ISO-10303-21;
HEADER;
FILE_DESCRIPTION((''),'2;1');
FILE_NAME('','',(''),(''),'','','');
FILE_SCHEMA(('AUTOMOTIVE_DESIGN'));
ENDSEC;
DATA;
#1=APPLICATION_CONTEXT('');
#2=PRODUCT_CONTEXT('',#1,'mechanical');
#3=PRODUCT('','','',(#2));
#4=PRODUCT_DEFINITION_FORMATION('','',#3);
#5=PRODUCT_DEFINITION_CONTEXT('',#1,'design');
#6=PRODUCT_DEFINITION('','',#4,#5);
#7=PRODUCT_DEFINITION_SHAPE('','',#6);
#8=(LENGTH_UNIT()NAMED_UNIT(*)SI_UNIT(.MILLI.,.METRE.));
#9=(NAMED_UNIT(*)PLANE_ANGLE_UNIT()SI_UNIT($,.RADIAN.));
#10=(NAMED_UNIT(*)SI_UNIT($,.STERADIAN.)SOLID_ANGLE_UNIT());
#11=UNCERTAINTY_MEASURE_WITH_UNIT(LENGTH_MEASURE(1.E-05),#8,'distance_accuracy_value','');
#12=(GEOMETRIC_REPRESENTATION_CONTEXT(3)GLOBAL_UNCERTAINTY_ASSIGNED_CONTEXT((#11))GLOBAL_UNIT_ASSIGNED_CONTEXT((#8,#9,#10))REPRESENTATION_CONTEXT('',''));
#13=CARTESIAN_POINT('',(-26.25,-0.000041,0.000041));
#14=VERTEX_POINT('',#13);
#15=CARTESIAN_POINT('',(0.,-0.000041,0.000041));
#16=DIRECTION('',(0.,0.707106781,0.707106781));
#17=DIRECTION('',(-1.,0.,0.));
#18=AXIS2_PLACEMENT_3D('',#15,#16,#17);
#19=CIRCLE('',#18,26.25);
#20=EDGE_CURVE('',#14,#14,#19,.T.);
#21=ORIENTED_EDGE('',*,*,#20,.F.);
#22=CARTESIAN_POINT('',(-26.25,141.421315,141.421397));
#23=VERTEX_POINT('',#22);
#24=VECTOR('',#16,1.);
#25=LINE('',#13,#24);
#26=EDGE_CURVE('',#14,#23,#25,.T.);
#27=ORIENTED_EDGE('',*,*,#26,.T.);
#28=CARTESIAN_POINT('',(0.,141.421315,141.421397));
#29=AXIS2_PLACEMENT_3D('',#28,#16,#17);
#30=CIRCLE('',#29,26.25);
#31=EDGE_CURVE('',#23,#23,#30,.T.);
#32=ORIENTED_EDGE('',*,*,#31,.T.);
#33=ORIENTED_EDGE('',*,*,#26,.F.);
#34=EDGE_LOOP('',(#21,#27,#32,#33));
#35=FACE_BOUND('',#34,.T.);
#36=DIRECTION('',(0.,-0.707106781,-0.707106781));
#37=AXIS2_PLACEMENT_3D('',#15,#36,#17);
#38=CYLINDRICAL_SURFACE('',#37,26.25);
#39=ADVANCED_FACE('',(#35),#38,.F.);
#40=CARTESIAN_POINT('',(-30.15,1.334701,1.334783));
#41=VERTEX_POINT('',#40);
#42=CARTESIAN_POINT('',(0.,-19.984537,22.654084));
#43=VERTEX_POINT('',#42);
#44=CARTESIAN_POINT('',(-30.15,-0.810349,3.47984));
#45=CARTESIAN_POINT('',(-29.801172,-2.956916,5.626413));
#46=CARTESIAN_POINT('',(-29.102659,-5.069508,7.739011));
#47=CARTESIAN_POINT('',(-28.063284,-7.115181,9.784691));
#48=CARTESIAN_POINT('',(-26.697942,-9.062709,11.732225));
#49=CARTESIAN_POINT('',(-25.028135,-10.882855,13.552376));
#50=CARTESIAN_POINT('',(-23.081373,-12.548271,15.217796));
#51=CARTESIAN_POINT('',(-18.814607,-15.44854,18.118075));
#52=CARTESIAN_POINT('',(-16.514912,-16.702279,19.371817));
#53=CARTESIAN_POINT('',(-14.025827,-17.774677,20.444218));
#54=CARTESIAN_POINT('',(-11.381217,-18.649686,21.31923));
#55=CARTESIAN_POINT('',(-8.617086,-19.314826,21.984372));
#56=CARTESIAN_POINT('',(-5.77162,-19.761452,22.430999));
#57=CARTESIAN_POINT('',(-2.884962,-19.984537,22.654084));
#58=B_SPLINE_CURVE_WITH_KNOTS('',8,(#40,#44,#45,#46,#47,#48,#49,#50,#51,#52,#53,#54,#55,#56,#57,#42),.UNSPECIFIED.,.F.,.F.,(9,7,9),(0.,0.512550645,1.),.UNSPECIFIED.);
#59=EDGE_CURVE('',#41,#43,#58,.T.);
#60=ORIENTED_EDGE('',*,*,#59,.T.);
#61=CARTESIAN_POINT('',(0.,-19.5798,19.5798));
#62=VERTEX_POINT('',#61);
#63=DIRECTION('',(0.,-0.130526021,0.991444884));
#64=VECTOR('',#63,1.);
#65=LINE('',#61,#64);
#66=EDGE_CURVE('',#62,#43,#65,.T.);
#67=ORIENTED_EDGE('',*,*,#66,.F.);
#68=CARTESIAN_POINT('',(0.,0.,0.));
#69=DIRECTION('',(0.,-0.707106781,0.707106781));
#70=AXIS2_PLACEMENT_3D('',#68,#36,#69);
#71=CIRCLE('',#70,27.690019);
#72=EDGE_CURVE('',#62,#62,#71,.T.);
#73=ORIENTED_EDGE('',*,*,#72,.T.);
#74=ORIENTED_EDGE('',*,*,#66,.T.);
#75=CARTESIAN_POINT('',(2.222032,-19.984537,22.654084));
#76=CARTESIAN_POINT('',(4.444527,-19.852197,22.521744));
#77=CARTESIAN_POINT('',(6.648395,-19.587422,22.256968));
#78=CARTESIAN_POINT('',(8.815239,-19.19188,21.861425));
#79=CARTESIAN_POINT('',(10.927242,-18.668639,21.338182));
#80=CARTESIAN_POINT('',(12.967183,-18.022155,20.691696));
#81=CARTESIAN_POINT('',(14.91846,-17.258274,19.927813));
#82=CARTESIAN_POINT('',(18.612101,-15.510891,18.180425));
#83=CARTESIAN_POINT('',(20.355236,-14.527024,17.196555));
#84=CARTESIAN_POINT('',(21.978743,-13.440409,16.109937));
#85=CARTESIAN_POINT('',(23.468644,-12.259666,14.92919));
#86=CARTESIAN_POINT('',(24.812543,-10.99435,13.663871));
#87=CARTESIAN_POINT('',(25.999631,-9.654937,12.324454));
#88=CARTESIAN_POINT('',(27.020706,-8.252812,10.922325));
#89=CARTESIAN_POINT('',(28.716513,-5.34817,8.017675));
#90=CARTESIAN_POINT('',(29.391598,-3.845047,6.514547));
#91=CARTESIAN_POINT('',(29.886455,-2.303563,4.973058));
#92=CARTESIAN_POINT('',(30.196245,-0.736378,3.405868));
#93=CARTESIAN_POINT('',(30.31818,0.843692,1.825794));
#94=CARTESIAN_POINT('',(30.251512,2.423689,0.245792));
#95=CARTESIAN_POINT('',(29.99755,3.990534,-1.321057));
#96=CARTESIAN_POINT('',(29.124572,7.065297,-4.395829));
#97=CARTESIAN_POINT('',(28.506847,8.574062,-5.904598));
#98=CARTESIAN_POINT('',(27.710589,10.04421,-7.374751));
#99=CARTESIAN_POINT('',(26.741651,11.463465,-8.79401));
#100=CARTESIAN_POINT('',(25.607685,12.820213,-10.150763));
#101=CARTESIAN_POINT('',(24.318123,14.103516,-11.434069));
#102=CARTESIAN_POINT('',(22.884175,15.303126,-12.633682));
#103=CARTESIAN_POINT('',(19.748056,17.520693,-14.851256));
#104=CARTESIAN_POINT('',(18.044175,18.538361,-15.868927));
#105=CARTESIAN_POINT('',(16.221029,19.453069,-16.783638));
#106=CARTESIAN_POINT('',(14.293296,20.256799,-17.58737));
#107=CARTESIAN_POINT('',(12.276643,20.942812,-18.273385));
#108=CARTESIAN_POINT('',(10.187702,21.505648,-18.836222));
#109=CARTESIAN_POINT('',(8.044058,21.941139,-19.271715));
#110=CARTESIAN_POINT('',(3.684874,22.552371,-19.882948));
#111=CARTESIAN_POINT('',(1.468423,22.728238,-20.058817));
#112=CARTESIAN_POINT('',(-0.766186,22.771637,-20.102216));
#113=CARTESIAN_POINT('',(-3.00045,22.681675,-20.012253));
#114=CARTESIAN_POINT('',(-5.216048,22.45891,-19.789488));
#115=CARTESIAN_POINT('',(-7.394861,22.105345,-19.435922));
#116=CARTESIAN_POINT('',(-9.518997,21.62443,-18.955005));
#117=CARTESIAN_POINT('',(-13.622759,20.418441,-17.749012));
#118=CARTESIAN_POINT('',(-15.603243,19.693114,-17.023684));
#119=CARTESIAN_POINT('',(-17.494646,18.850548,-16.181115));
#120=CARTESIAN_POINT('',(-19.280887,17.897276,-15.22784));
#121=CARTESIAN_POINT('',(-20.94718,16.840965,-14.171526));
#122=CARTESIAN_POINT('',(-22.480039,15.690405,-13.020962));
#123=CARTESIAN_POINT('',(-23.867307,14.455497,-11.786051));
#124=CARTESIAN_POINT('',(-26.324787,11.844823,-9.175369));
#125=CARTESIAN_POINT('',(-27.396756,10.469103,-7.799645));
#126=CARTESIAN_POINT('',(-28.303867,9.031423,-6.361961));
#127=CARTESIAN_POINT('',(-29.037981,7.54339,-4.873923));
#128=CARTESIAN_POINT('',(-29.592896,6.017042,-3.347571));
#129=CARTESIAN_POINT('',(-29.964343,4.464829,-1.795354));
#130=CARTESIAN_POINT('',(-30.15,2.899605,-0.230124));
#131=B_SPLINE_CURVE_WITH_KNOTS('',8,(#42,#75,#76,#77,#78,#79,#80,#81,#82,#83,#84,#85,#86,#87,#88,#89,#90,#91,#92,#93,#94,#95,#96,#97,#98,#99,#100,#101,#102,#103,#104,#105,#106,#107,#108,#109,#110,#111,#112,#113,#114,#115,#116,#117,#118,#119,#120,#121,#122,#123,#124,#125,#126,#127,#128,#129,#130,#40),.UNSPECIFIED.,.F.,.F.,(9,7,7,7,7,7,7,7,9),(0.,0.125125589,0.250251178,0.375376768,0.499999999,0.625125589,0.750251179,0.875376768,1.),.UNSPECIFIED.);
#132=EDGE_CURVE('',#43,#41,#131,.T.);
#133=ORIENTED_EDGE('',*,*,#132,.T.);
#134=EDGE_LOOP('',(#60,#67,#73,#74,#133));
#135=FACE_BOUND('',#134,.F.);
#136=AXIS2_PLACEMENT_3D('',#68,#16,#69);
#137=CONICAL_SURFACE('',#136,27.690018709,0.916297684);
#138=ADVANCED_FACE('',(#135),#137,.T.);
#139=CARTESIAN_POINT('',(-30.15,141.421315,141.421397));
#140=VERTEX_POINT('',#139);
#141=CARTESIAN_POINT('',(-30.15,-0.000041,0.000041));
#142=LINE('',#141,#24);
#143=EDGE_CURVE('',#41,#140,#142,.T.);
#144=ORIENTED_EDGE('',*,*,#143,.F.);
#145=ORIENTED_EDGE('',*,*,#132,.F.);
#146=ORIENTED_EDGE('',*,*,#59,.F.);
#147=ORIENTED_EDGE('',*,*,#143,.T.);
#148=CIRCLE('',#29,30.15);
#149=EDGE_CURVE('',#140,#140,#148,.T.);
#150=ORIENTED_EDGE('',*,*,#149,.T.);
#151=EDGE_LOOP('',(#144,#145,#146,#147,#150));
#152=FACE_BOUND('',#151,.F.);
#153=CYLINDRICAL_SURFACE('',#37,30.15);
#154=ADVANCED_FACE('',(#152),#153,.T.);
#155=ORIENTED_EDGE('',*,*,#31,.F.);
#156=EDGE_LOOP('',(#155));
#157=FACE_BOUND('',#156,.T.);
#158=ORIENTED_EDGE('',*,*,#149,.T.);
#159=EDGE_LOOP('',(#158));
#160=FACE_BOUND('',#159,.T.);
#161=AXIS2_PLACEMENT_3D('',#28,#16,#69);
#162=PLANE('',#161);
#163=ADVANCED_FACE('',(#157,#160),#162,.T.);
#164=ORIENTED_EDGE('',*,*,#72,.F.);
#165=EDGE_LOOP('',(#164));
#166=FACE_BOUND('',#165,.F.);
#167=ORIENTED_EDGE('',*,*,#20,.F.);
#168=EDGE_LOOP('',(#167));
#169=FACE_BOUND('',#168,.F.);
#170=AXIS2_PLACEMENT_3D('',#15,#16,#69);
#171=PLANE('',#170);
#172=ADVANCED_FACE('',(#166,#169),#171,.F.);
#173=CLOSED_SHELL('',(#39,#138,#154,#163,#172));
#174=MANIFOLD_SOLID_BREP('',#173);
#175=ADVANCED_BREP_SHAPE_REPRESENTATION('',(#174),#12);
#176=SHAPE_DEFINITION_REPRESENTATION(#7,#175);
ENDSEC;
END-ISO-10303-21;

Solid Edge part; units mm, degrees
sketch "Sketch1" plane through (3.0941, -2.1879, 2.1879) normal (0, 0.7071, 0.7071) x (-1, 0, 0)
  circle A0 centre (3.0941, -3.0941) radius 30.15
  circle A1 centre (3.0941, -3.0941) radius 26.25
extrude "ExtrudedProtrusion_2" add sketch "Sketch1" along normal blind 200
sketch "Sketch2" plane through (0, 0, 0) normal (-1, 0, 0) x (0, -1, 0)
  line L0 (20.7744, 28.6537) -> (24.7141, 24.7141)
  line L1 (19.5798, 19.5798) -> (24.7141, 24.7141)
  line L2 (19.5798, 19.5798) -> (20.7744, 28.6537)
revolve "RevolvedCutout1" cut sketch "Sketch2" angle 360 about axis through (0, 0, 0) along (0, -0.7071, -0.7071)
properties material "Steel"
